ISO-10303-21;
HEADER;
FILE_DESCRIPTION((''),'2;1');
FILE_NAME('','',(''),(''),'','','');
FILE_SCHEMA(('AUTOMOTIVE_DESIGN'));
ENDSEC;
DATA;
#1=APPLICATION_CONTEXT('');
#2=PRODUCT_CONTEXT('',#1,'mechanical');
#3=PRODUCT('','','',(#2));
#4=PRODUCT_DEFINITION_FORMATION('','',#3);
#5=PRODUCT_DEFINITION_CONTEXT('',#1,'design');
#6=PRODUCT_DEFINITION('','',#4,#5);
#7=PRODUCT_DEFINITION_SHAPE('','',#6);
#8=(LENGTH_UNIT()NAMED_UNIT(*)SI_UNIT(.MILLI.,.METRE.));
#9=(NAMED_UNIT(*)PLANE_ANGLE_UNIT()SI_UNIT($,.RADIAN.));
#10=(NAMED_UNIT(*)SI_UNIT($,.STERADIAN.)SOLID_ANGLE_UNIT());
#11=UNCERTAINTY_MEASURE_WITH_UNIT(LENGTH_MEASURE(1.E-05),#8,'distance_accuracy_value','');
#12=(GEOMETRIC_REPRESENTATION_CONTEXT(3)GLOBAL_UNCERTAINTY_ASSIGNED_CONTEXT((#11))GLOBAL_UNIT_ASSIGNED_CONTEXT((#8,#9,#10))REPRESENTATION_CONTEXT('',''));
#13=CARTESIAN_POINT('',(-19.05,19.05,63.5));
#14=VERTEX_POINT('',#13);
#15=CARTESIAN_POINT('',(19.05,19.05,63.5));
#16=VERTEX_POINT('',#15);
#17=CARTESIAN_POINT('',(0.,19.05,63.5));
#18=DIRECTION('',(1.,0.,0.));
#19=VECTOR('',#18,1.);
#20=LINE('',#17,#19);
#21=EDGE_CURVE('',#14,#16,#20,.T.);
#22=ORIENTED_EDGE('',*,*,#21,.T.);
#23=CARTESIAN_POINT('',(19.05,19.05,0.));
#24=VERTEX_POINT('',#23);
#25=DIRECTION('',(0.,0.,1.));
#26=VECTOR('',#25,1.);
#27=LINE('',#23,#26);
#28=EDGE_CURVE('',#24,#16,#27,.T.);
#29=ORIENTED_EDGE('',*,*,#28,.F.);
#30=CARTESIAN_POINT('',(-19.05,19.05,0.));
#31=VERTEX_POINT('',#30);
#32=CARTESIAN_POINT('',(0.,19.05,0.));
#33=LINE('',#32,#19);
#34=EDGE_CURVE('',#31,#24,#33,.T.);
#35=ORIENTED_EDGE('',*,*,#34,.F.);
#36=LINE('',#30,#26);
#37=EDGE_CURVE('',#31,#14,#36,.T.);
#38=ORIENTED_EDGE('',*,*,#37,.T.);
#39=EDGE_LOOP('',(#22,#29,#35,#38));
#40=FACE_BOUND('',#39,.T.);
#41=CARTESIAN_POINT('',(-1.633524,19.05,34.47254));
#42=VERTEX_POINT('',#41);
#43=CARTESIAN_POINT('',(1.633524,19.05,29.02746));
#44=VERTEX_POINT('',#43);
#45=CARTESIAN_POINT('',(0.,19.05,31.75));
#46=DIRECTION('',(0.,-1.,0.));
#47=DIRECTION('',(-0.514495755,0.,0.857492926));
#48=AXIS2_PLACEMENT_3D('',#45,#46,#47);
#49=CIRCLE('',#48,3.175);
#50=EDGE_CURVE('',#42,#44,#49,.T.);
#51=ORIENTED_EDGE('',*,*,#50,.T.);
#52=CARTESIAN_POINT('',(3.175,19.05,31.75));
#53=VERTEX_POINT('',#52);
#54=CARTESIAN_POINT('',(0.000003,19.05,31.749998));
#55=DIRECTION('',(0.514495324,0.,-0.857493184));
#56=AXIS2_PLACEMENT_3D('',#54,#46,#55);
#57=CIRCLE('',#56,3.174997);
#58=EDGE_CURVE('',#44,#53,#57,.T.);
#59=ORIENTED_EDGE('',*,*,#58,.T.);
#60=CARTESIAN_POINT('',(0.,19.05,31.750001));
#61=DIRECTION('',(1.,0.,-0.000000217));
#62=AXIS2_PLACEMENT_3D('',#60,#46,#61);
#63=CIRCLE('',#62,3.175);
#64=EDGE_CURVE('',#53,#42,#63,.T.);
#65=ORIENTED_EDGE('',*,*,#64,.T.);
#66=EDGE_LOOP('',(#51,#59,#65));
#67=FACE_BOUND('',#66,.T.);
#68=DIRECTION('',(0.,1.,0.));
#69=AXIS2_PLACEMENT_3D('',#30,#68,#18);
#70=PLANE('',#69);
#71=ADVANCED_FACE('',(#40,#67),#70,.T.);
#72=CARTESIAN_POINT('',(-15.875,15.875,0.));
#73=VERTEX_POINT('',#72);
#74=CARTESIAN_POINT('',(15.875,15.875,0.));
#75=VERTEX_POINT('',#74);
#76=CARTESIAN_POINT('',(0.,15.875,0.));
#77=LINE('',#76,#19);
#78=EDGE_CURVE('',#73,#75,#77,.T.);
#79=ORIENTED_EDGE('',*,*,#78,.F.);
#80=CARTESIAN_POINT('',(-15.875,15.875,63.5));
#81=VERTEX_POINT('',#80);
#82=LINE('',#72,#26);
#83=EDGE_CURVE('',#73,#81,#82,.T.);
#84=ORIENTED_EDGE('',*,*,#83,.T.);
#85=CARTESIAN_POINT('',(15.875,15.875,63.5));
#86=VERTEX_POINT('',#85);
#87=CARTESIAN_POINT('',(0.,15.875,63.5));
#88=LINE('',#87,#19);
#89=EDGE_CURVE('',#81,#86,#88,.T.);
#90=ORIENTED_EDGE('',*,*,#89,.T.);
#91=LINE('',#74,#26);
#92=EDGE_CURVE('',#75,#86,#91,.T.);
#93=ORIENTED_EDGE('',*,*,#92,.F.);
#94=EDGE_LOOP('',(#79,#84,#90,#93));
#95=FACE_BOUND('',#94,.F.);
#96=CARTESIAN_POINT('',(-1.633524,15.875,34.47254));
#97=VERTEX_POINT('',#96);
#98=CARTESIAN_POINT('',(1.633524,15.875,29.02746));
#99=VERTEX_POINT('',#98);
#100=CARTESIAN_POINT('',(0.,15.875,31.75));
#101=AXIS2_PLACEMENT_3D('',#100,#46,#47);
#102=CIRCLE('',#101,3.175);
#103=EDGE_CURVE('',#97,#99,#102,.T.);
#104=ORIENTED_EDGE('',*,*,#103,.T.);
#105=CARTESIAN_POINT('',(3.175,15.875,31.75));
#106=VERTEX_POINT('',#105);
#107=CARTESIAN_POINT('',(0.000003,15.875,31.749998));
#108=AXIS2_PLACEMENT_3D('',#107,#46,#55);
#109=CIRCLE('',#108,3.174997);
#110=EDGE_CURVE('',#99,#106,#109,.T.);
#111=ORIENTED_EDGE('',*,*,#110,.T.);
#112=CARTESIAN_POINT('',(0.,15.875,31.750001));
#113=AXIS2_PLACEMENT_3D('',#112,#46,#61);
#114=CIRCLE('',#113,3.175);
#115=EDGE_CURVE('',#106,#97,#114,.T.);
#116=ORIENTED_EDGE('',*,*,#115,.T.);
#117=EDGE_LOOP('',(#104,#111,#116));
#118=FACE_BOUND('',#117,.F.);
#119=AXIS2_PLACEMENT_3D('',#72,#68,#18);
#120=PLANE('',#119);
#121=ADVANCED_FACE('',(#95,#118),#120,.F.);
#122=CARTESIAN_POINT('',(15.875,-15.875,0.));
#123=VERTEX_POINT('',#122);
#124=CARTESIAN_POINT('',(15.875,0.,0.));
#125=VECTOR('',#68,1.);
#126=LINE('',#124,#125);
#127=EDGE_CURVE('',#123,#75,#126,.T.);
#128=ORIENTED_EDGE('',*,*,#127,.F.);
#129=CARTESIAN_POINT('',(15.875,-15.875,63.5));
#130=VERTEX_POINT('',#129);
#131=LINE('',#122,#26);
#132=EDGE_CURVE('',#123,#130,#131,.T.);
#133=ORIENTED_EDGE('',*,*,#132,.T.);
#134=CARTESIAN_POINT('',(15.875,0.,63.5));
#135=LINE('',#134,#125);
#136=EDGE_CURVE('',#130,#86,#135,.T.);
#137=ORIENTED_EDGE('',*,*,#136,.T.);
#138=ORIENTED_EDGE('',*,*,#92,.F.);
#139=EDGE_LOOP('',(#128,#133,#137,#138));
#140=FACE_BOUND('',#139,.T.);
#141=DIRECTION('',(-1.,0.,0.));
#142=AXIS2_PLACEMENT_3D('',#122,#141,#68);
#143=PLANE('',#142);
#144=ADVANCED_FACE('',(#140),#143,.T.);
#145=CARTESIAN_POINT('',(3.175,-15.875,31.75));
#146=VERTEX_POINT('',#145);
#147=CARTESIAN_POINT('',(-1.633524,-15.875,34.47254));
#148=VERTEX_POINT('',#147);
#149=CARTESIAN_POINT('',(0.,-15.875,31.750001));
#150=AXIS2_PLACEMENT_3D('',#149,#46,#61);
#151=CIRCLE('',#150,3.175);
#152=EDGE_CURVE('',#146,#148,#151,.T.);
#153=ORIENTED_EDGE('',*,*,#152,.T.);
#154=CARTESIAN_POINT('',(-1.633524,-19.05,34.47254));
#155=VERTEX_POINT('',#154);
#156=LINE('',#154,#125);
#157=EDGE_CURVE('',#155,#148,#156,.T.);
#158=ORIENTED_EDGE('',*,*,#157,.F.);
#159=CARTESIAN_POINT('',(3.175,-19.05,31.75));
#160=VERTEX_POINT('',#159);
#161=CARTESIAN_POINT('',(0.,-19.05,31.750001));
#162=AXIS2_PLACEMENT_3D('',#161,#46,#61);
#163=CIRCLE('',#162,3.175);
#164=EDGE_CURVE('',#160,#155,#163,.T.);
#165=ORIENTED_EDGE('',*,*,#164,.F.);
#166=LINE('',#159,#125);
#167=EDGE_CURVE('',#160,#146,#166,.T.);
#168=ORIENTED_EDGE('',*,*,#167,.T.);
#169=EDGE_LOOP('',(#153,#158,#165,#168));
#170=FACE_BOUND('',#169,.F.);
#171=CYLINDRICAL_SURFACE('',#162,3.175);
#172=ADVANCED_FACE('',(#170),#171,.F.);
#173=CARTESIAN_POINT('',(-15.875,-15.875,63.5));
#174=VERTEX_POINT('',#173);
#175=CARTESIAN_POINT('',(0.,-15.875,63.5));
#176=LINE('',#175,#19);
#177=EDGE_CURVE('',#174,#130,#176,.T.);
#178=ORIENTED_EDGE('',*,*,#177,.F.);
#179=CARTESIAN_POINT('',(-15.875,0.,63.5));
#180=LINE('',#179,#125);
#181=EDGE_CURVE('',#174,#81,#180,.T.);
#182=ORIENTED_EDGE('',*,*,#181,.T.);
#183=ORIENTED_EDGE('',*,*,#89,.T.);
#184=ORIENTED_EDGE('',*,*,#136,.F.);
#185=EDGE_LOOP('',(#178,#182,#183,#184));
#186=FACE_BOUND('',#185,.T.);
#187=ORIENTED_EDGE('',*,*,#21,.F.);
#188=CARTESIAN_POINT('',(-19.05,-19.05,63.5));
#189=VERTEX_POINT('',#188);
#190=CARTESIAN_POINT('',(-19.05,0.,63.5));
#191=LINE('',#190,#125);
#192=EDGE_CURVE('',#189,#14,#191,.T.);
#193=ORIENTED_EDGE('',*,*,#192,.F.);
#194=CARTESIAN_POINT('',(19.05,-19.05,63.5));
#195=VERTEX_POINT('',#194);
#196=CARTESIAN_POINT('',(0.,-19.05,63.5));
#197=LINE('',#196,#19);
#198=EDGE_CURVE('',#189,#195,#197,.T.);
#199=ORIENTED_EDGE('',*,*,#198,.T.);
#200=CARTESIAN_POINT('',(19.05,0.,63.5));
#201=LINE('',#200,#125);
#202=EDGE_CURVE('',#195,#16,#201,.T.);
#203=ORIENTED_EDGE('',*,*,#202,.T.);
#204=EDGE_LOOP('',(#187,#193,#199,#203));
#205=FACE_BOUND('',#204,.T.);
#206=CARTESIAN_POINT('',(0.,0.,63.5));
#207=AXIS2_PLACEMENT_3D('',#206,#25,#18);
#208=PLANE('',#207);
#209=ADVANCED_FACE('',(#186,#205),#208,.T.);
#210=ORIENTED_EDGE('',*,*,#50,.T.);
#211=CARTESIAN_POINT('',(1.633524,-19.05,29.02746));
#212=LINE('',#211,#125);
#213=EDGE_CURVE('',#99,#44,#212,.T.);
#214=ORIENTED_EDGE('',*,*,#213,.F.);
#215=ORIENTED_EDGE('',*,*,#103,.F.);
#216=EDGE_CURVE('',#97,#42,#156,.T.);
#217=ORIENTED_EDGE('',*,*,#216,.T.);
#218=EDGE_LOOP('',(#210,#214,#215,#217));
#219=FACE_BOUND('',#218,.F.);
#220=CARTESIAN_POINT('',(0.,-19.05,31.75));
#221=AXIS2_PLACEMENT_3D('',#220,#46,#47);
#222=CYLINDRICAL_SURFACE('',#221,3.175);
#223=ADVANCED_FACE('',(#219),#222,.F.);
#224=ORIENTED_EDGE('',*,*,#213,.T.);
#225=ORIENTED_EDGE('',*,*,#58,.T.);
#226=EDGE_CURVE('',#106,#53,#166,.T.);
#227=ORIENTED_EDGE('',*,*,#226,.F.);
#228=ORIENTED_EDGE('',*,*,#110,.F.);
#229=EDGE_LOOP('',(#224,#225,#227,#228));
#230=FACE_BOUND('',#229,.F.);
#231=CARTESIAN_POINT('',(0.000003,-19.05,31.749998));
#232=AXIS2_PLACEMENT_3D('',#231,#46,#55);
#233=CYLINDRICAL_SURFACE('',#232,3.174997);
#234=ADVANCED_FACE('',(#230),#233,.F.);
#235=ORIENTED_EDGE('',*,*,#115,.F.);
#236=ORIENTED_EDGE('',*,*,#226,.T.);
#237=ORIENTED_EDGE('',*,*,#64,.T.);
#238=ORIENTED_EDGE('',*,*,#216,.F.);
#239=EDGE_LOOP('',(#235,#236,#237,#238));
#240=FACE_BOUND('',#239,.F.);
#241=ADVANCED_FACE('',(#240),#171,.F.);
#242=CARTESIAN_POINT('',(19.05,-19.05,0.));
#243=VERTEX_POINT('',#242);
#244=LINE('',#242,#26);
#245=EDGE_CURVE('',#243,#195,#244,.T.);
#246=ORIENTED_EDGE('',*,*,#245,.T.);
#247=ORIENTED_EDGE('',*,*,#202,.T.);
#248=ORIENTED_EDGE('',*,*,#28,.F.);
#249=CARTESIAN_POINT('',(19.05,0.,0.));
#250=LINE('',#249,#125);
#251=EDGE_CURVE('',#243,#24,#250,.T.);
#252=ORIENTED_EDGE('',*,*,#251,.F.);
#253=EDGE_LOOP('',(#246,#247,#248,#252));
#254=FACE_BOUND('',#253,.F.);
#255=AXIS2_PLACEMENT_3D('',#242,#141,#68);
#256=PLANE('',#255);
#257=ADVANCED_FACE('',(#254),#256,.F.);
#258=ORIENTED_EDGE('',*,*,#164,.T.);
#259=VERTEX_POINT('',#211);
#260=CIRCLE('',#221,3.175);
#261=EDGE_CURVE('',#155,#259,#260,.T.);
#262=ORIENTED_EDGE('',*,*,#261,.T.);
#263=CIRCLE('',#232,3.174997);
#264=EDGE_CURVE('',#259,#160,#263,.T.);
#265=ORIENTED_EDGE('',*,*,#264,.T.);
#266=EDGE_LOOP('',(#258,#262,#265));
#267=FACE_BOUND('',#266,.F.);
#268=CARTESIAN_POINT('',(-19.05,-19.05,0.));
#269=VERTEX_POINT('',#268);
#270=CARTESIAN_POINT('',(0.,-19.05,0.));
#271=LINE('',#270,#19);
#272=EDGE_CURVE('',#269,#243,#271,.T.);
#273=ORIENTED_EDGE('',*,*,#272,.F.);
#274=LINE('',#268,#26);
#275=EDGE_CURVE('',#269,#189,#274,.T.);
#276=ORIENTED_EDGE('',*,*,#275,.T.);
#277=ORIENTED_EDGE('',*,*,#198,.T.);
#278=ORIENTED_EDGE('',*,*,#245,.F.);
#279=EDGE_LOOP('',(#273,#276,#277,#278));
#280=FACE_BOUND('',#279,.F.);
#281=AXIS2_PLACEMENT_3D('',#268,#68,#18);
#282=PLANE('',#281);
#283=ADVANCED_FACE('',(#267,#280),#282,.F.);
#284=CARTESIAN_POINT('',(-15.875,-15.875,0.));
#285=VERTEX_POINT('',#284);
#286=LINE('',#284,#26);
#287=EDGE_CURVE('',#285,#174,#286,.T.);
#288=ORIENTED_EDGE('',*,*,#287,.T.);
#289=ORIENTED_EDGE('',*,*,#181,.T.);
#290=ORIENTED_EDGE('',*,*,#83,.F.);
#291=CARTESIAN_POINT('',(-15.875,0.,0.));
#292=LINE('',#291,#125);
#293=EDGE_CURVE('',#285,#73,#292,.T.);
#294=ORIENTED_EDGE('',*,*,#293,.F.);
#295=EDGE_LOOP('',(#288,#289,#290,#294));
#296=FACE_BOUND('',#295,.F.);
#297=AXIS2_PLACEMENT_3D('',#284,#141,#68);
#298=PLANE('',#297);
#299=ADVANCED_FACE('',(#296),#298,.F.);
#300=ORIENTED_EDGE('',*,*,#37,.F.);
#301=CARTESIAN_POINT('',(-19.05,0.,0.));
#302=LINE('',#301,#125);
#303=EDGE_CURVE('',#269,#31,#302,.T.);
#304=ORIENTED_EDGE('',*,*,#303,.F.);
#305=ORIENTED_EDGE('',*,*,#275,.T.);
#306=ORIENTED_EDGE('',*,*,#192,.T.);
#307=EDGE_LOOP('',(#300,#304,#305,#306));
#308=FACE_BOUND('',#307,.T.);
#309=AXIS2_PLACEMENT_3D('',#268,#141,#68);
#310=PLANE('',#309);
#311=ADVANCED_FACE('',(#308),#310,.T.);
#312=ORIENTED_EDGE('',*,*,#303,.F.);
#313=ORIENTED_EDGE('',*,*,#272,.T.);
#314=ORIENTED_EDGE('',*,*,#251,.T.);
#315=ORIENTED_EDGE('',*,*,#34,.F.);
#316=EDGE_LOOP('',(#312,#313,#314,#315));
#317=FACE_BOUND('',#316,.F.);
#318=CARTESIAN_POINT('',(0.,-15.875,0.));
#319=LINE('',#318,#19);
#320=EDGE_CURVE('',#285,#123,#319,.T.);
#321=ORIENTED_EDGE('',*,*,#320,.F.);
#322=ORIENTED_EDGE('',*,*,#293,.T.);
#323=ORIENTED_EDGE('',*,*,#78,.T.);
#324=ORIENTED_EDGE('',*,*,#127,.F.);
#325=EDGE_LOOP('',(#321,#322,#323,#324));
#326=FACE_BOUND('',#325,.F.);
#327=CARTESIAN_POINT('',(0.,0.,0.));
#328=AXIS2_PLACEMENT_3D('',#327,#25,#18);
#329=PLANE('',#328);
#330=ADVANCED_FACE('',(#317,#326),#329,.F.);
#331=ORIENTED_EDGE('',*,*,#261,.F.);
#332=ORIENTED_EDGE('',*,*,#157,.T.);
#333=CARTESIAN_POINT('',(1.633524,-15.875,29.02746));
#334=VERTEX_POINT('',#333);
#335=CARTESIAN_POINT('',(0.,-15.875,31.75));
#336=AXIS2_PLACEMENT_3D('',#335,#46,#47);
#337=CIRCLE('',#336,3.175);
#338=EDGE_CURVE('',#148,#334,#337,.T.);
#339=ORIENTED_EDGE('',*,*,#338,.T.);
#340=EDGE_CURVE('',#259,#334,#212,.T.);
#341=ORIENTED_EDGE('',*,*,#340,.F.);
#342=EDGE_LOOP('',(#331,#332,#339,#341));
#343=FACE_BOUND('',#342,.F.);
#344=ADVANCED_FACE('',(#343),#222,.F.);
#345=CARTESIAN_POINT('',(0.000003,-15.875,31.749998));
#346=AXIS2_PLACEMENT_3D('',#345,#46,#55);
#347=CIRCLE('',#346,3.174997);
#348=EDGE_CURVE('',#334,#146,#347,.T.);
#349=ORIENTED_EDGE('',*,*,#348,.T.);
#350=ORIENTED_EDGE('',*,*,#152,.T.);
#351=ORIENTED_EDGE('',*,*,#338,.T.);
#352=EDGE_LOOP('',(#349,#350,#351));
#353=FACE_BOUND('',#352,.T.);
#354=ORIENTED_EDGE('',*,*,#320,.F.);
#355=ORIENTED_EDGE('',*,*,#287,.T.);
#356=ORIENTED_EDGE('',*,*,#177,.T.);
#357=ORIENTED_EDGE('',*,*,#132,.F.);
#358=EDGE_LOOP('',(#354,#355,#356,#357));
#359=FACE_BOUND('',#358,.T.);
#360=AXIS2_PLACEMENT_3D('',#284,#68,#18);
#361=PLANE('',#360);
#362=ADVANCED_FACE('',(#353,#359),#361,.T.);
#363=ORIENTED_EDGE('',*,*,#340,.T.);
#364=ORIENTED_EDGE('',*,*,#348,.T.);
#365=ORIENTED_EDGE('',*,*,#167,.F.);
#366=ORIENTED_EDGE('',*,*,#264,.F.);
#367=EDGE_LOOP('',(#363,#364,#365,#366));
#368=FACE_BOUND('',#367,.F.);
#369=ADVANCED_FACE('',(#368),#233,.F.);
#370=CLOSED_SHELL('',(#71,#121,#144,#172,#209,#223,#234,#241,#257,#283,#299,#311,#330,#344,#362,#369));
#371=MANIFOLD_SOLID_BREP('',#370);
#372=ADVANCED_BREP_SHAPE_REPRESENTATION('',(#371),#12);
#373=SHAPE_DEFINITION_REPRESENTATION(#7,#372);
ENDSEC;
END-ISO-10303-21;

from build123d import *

# Parameters (mm, degrees)
F0_W     = 38.1
F0_H     = 38.1
F0_W_2   = 31.75
F0_H_2   = 31.75
F1_DEPTH = 63.5
F3_DEPTH = 38.101


with BuildPart() as f1:
    # F0 (on Top) → F1 (new body)
    with BuildSketch(Plane.XY):
        Rectangle(F0_W, F0_H)
        Rectangle(F0_W_2, F0_H_2, mode=Mode.SUBTRACT)
    extrude(amount=F1_DEPTH)

    # F2 (on face) → F3 (cut, through all)
    with BuildSketch(Plane.XZ.offset(19.05)):
        with BuildLine():
            ThreePointArc((3.175, 31.75), (1.564319, 34.512885), (-1.633524, 34.47254))
            Line((-1.633524, 34.47254), (1.633524, 29.02746))
            ThreePointArc((1.633524, 29.02746), (2.762885, 30.185681), (3.175, 31.75))
        make_face()
        with BuildLine():
            Line((1.633524, 29.02746), (-1.633524, 34.47254))
            ThreePointArc((-1.633524, 34.47254), (-2.72254, 30.116476), (1.633524, 29.02746))
        make_face()
    extrude(amount=-F3_DEPTH, mode=Mode.SUBTRACT)


solid = f1.part
